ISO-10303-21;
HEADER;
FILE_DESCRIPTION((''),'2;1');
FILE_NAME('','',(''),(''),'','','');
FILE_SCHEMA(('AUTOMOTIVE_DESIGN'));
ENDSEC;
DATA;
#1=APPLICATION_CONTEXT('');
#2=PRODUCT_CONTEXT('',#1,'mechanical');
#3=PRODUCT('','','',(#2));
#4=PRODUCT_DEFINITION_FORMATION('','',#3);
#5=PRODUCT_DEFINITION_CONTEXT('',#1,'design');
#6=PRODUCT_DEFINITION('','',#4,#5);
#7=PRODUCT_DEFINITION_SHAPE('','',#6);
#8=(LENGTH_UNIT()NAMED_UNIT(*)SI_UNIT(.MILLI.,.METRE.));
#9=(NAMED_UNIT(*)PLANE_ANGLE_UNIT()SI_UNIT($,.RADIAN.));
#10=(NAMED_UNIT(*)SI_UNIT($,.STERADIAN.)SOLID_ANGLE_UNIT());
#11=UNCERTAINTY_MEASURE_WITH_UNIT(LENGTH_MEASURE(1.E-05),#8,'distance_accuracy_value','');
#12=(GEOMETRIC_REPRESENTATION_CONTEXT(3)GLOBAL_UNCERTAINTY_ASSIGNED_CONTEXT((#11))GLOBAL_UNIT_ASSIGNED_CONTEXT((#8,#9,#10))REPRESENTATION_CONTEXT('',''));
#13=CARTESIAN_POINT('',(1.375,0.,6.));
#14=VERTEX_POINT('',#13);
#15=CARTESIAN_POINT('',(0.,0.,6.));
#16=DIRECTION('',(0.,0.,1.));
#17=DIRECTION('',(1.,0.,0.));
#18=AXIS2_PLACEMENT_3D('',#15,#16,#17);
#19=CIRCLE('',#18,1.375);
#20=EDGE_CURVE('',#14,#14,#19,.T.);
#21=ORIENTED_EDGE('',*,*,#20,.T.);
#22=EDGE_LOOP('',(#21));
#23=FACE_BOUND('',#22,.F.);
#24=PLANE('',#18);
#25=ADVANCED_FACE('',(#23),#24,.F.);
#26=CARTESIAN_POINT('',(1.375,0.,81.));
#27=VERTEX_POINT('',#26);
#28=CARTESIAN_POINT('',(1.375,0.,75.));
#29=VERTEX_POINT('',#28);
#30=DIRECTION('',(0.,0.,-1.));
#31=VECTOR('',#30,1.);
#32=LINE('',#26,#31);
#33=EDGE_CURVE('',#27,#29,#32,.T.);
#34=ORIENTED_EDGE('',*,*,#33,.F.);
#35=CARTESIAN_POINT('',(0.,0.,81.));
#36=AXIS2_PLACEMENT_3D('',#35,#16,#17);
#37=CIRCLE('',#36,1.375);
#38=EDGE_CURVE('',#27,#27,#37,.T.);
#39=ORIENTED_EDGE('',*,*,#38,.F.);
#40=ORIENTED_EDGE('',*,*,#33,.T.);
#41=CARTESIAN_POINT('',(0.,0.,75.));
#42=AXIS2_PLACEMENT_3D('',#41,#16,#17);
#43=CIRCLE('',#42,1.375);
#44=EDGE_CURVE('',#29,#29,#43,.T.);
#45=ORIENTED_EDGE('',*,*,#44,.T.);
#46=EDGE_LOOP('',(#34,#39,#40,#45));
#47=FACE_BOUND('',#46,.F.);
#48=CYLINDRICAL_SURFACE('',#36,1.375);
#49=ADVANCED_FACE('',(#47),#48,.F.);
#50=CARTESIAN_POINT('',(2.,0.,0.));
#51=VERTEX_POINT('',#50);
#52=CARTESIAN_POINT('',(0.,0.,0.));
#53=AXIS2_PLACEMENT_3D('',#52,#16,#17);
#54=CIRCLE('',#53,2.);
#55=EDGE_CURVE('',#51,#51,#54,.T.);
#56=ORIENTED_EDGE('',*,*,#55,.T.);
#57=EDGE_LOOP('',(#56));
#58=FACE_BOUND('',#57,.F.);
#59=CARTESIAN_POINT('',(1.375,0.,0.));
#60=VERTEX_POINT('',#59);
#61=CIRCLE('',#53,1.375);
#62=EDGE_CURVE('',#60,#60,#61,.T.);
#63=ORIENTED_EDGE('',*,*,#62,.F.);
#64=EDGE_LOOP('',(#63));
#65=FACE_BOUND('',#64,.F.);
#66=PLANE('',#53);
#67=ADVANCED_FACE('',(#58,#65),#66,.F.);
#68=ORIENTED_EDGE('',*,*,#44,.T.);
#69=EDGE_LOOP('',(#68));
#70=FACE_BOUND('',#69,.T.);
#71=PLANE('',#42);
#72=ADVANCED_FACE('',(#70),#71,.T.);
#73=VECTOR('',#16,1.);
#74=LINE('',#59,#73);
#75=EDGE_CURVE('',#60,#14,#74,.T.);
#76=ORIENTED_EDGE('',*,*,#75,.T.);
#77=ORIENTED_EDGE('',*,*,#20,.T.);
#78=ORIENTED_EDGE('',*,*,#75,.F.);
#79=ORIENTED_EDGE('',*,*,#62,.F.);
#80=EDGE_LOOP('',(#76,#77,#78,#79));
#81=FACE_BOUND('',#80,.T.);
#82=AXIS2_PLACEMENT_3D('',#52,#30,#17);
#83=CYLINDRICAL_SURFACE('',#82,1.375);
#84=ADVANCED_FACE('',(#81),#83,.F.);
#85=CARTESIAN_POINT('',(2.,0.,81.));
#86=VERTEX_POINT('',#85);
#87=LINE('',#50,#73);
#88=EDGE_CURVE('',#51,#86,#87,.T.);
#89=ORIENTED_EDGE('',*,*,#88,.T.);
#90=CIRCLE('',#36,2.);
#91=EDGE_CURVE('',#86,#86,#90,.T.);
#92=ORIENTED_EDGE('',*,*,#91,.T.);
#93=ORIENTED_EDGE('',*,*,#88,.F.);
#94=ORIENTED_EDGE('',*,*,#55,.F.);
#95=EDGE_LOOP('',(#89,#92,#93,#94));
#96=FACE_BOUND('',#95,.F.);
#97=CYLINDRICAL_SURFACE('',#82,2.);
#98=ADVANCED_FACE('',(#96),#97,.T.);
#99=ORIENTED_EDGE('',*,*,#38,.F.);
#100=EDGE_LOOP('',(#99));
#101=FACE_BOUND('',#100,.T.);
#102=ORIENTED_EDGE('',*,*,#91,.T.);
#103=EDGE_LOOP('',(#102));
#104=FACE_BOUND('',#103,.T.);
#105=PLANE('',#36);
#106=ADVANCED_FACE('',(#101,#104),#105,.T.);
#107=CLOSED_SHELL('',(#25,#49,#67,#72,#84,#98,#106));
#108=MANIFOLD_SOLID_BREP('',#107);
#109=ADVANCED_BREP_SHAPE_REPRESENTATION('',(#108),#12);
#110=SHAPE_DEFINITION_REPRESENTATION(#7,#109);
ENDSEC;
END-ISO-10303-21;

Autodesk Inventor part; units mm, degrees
ref_plane "YZ Plane" through (0, 0, 0) normal (1, 0, 0) x (0, 1, 0)
ref_plane "XZ Plane" through (0, 0, 0) normal (0, 1, 0) x (-1, 0, 0)
ref_plane "XY Plane" through (0, 0, 0) normal (0, 0, 1) x (1, 0, 0)
sketch "Sketch1" plane through (0, 0, 0) normal (0, 0, 1) x (1, 0, 0)
  circle A0 centre (0, 0) radius 2
  circle A1 centre (0, 0) radius 1.375
  circle A2 centre (0, 0) radius 2.875
  circle A3 centre (0, 0) radius 2.25
  dimension "d0" = 4
  dimension "d1" = 2.75
  dimension "d2" = 5.75
  dimension "d3" = 4.5
extrude "Extrusion1" add sketch "Sketch1" along normal blind 81 contours A0 | A1
sketch "Sketch2" plane through (0, 0, 81) normal (0, 0, 1) x (1, 0, 0)
  circle A0 centre (0, 0) radius 1.375
  dimension "d9" = 2.75
extrude "Extrusion3" cut sketch "Sketch2" against normal blind 6
extrude "Extrusion4" cut sketch "Sketch1" along normal blind 6 contours A1
properties part number "Schanier pin"
